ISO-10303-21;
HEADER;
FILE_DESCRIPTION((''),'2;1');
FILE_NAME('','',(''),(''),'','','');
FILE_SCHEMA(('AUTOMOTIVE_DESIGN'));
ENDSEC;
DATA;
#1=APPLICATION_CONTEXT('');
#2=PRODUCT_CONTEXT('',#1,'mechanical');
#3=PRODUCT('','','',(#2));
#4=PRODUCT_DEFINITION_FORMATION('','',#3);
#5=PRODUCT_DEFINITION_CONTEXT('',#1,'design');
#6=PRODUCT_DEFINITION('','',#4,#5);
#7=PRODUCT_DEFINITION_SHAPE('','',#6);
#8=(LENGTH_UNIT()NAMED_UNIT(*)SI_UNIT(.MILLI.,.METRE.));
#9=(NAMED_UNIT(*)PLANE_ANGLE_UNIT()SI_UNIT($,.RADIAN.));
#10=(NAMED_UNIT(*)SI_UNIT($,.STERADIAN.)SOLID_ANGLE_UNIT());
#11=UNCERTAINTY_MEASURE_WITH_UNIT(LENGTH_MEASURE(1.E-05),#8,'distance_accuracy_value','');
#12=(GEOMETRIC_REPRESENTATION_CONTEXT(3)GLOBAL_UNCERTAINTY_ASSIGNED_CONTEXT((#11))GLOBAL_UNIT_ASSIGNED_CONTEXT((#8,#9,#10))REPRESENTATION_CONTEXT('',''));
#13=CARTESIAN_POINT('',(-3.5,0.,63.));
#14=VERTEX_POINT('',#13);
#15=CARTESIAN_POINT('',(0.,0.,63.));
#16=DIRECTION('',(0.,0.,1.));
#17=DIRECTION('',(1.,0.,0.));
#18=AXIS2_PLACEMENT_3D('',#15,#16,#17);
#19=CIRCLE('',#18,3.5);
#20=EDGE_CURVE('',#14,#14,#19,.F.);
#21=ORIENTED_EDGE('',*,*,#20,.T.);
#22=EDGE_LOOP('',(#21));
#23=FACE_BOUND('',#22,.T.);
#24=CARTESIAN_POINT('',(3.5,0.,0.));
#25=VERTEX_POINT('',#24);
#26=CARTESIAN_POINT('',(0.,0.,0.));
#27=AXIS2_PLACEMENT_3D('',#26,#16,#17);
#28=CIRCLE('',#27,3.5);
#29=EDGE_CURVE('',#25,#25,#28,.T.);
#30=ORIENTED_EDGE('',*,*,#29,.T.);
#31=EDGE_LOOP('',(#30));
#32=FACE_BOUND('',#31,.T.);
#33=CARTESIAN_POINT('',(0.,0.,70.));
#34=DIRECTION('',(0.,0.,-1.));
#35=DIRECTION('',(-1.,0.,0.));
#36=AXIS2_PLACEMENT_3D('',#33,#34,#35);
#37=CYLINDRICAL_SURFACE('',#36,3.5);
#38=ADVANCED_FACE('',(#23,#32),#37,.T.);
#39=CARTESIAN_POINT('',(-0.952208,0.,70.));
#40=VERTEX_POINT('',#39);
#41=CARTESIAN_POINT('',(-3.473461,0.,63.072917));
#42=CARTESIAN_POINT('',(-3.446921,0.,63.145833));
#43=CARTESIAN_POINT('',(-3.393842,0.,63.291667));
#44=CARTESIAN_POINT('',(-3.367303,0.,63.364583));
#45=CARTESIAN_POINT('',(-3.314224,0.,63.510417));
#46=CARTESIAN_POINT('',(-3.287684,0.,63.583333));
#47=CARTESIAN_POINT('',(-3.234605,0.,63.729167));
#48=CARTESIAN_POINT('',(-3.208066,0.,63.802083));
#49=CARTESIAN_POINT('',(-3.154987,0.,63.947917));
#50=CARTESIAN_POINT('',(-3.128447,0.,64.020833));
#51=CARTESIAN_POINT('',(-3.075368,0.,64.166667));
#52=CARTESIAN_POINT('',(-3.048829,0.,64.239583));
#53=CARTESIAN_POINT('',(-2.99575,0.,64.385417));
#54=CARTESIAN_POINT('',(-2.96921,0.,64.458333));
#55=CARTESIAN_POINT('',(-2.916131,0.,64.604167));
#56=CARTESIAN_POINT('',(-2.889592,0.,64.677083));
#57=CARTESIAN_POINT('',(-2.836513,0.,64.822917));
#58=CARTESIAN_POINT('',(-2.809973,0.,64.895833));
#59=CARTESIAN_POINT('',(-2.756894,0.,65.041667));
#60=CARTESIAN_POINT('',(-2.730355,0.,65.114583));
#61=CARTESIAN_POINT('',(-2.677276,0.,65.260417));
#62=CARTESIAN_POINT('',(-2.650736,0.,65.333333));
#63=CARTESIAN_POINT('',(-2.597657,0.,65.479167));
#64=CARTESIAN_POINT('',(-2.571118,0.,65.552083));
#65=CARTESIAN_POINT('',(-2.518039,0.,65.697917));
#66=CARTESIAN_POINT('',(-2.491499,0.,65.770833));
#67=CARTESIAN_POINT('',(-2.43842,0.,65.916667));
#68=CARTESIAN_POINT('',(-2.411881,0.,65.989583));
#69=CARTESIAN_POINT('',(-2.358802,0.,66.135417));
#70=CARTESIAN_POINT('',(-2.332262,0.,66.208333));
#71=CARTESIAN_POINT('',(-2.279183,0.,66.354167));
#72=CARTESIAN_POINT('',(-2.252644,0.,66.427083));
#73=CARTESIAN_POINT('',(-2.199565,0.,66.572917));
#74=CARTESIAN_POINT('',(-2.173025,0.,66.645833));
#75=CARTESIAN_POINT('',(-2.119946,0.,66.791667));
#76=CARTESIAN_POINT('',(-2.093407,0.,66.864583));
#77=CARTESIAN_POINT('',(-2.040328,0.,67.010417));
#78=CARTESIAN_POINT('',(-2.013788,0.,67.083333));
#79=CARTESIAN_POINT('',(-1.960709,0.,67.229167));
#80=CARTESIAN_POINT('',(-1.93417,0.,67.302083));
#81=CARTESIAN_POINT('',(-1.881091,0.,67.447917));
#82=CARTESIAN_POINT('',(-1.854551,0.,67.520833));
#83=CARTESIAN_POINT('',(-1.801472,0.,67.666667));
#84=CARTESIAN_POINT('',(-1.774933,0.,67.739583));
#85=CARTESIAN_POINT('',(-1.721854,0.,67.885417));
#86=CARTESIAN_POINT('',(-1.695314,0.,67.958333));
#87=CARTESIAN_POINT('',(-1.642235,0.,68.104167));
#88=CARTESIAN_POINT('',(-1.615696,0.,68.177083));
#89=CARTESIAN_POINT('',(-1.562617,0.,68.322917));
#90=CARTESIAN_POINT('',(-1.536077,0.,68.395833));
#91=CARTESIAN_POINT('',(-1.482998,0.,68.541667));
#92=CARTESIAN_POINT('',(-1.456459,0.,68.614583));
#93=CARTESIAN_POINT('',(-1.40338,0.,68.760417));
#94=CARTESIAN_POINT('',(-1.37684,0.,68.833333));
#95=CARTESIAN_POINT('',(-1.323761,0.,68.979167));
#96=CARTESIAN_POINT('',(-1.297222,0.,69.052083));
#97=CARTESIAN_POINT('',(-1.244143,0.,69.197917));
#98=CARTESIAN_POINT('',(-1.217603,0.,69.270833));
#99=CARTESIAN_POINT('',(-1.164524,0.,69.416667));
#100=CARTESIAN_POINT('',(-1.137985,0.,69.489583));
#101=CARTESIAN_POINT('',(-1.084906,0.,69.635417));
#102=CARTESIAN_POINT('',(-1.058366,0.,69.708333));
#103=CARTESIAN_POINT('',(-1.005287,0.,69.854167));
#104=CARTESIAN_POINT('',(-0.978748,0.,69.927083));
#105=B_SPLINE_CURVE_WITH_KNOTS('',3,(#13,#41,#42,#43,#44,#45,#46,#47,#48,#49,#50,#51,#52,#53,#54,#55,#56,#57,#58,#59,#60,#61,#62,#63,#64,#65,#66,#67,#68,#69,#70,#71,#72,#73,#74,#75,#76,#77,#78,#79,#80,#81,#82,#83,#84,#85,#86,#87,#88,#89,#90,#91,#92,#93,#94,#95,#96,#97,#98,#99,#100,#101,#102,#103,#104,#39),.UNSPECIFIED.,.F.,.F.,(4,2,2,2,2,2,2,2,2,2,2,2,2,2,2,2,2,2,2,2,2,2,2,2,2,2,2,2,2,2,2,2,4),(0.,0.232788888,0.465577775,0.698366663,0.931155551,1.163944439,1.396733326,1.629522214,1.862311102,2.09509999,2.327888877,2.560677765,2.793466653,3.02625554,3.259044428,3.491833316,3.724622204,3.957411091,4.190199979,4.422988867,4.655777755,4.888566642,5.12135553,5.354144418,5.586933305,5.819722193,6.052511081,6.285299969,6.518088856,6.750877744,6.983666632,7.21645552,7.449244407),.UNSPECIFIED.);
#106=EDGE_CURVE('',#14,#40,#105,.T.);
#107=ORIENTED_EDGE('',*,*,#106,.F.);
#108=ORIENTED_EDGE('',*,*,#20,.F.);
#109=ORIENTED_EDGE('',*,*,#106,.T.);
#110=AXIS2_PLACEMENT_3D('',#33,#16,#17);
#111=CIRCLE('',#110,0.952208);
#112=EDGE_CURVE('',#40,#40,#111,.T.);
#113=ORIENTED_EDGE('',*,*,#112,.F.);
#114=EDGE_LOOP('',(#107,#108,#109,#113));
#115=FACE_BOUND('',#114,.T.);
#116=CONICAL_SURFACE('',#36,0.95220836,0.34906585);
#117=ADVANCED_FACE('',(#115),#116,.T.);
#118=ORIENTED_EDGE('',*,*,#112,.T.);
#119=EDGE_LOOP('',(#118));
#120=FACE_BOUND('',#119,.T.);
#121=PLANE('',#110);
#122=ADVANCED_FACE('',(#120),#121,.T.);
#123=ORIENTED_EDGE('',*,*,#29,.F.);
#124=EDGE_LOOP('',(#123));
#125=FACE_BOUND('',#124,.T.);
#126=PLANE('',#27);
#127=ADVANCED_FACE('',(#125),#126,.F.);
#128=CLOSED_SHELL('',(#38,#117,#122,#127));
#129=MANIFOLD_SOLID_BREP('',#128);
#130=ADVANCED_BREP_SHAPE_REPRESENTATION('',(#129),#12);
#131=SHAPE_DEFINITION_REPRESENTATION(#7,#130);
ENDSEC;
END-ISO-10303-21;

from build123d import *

# Parameters (mm, degrees)
SKETCH_1_R      = 3.5
EXTRUDE_1_DEPTH = 70
CHAMFER_1_SIZE  = 7
CHAMFER_1_SIZE2 = 2.54779164


with BuildPart() as part:
    # Эскиз1 → Бобышка-Вытянуть1 (new body)
    with BuildSketch(Plane.XY):
        Circle(SKETCH_1_R)
    extrude(amount=EXTRUDE_1_DEPTH)

    # Фаска1
    chamfer_1_edges = [part.edges().sort_by_distance(p)[0] for p in [
        (-3.5, 0, 70),
    ]]
    chamfer_1_side = [part.faces().sort_by_distance(p)[0] for p in [
        (-3.5, 0, 35),
    ]]
    chamfer(chamfer_1_edges, length=CHAMFER_1_SIZE, length2=CHAMFER_1_SIZE2, reference=chamfer_1_side[0])


solid = part.part
